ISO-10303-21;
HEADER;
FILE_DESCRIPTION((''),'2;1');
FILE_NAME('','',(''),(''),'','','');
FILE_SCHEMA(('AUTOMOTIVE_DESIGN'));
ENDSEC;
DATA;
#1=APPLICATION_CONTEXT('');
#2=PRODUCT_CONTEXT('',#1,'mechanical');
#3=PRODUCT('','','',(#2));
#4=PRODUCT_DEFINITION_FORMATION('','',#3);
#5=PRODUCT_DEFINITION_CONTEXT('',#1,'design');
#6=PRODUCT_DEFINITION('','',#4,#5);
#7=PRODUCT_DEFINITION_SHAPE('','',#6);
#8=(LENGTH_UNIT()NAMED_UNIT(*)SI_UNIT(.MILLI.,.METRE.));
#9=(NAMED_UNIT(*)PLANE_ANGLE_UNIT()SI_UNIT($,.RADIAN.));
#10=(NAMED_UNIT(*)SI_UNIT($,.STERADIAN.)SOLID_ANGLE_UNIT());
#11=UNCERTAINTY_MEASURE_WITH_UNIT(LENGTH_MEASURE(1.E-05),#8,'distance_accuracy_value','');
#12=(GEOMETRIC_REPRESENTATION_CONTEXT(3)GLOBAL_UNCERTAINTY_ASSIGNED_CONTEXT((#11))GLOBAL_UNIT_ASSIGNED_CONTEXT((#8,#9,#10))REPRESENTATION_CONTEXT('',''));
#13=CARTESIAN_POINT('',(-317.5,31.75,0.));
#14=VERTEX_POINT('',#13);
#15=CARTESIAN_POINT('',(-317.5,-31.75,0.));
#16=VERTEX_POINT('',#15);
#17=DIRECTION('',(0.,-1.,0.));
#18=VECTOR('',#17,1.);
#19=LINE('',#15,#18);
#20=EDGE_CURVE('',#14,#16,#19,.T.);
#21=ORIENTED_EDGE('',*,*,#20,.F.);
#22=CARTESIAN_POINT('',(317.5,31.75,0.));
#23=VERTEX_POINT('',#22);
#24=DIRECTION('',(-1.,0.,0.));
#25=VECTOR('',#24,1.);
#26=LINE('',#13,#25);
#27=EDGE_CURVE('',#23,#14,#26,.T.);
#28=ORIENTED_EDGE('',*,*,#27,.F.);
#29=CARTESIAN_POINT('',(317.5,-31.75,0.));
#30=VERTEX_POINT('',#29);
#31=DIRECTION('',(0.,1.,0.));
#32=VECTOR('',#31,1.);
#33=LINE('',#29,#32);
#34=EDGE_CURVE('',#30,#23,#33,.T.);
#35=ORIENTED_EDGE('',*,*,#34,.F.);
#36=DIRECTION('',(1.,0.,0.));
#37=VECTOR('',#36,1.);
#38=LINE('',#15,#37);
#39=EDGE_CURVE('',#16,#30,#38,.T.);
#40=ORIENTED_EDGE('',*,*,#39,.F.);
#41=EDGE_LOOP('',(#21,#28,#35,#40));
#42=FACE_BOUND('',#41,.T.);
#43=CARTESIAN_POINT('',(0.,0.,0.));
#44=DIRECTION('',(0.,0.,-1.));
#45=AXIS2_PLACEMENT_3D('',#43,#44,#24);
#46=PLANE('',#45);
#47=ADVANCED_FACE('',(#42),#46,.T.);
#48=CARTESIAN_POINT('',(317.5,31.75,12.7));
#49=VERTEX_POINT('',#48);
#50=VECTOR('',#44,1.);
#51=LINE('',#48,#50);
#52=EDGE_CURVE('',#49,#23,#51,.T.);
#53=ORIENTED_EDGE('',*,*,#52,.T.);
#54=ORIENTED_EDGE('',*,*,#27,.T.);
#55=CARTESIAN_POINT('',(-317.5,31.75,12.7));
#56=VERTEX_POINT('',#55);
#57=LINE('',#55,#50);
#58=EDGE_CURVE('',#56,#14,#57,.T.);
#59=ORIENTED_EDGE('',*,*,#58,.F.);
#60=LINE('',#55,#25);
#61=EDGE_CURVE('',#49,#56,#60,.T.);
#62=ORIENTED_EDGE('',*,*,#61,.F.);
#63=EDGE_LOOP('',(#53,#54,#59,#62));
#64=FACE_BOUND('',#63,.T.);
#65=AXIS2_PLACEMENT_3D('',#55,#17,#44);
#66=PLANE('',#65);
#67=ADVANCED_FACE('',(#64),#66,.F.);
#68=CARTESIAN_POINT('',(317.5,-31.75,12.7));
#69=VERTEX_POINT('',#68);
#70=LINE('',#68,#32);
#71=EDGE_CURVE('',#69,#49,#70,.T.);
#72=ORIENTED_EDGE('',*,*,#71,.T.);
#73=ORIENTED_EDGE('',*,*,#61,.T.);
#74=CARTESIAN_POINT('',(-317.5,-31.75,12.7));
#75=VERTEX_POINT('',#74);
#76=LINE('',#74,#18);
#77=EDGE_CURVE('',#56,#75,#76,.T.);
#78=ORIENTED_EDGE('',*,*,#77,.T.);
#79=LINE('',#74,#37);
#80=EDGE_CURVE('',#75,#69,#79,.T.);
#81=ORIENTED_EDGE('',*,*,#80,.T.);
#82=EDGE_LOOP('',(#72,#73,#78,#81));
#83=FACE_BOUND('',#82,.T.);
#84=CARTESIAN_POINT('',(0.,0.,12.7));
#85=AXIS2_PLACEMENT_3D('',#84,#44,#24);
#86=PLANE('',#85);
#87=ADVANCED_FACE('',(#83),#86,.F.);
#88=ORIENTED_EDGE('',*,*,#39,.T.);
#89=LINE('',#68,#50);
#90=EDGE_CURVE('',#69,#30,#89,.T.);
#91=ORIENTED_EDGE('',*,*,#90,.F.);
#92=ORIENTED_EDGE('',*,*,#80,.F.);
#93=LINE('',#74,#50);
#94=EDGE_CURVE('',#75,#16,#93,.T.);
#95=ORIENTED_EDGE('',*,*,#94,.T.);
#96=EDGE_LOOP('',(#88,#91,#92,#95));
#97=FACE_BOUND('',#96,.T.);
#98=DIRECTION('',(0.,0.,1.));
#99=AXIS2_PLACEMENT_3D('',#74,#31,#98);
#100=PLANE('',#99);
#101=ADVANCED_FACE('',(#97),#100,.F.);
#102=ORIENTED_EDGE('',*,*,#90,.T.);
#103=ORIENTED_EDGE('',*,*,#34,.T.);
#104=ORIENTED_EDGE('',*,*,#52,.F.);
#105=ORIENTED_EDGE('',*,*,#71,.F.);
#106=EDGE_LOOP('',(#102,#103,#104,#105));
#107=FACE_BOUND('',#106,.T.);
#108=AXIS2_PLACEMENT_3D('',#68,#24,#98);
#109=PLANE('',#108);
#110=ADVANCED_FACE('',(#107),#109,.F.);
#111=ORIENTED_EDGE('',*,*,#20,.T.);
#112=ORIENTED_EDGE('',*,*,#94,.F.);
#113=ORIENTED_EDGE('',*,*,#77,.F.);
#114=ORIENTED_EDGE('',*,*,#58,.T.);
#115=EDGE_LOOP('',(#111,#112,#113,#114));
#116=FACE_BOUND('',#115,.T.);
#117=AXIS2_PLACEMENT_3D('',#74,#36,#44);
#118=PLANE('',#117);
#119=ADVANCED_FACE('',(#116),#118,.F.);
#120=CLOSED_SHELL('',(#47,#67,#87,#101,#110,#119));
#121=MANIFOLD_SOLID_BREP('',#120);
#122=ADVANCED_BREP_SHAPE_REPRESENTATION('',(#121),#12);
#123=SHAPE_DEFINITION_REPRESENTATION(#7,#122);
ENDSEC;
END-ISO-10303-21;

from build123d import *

# Parameters (mm, degrees)
SKETCH1_W           = 635
SKETCH1_H           = 63.5
BOSS_EXTRUDE1_DEPTH = 12.7


with BuildPart() as part:
    # Sketch1 → Boss-Extrude1 (new body)
    with BuildSketch(Plane.XY):
        Rectangle(SKETCH1_W, SKETCH1_H)
    extrude(amount=BOSS_EXTRUDE1_DEPTH)


solid = part.part
